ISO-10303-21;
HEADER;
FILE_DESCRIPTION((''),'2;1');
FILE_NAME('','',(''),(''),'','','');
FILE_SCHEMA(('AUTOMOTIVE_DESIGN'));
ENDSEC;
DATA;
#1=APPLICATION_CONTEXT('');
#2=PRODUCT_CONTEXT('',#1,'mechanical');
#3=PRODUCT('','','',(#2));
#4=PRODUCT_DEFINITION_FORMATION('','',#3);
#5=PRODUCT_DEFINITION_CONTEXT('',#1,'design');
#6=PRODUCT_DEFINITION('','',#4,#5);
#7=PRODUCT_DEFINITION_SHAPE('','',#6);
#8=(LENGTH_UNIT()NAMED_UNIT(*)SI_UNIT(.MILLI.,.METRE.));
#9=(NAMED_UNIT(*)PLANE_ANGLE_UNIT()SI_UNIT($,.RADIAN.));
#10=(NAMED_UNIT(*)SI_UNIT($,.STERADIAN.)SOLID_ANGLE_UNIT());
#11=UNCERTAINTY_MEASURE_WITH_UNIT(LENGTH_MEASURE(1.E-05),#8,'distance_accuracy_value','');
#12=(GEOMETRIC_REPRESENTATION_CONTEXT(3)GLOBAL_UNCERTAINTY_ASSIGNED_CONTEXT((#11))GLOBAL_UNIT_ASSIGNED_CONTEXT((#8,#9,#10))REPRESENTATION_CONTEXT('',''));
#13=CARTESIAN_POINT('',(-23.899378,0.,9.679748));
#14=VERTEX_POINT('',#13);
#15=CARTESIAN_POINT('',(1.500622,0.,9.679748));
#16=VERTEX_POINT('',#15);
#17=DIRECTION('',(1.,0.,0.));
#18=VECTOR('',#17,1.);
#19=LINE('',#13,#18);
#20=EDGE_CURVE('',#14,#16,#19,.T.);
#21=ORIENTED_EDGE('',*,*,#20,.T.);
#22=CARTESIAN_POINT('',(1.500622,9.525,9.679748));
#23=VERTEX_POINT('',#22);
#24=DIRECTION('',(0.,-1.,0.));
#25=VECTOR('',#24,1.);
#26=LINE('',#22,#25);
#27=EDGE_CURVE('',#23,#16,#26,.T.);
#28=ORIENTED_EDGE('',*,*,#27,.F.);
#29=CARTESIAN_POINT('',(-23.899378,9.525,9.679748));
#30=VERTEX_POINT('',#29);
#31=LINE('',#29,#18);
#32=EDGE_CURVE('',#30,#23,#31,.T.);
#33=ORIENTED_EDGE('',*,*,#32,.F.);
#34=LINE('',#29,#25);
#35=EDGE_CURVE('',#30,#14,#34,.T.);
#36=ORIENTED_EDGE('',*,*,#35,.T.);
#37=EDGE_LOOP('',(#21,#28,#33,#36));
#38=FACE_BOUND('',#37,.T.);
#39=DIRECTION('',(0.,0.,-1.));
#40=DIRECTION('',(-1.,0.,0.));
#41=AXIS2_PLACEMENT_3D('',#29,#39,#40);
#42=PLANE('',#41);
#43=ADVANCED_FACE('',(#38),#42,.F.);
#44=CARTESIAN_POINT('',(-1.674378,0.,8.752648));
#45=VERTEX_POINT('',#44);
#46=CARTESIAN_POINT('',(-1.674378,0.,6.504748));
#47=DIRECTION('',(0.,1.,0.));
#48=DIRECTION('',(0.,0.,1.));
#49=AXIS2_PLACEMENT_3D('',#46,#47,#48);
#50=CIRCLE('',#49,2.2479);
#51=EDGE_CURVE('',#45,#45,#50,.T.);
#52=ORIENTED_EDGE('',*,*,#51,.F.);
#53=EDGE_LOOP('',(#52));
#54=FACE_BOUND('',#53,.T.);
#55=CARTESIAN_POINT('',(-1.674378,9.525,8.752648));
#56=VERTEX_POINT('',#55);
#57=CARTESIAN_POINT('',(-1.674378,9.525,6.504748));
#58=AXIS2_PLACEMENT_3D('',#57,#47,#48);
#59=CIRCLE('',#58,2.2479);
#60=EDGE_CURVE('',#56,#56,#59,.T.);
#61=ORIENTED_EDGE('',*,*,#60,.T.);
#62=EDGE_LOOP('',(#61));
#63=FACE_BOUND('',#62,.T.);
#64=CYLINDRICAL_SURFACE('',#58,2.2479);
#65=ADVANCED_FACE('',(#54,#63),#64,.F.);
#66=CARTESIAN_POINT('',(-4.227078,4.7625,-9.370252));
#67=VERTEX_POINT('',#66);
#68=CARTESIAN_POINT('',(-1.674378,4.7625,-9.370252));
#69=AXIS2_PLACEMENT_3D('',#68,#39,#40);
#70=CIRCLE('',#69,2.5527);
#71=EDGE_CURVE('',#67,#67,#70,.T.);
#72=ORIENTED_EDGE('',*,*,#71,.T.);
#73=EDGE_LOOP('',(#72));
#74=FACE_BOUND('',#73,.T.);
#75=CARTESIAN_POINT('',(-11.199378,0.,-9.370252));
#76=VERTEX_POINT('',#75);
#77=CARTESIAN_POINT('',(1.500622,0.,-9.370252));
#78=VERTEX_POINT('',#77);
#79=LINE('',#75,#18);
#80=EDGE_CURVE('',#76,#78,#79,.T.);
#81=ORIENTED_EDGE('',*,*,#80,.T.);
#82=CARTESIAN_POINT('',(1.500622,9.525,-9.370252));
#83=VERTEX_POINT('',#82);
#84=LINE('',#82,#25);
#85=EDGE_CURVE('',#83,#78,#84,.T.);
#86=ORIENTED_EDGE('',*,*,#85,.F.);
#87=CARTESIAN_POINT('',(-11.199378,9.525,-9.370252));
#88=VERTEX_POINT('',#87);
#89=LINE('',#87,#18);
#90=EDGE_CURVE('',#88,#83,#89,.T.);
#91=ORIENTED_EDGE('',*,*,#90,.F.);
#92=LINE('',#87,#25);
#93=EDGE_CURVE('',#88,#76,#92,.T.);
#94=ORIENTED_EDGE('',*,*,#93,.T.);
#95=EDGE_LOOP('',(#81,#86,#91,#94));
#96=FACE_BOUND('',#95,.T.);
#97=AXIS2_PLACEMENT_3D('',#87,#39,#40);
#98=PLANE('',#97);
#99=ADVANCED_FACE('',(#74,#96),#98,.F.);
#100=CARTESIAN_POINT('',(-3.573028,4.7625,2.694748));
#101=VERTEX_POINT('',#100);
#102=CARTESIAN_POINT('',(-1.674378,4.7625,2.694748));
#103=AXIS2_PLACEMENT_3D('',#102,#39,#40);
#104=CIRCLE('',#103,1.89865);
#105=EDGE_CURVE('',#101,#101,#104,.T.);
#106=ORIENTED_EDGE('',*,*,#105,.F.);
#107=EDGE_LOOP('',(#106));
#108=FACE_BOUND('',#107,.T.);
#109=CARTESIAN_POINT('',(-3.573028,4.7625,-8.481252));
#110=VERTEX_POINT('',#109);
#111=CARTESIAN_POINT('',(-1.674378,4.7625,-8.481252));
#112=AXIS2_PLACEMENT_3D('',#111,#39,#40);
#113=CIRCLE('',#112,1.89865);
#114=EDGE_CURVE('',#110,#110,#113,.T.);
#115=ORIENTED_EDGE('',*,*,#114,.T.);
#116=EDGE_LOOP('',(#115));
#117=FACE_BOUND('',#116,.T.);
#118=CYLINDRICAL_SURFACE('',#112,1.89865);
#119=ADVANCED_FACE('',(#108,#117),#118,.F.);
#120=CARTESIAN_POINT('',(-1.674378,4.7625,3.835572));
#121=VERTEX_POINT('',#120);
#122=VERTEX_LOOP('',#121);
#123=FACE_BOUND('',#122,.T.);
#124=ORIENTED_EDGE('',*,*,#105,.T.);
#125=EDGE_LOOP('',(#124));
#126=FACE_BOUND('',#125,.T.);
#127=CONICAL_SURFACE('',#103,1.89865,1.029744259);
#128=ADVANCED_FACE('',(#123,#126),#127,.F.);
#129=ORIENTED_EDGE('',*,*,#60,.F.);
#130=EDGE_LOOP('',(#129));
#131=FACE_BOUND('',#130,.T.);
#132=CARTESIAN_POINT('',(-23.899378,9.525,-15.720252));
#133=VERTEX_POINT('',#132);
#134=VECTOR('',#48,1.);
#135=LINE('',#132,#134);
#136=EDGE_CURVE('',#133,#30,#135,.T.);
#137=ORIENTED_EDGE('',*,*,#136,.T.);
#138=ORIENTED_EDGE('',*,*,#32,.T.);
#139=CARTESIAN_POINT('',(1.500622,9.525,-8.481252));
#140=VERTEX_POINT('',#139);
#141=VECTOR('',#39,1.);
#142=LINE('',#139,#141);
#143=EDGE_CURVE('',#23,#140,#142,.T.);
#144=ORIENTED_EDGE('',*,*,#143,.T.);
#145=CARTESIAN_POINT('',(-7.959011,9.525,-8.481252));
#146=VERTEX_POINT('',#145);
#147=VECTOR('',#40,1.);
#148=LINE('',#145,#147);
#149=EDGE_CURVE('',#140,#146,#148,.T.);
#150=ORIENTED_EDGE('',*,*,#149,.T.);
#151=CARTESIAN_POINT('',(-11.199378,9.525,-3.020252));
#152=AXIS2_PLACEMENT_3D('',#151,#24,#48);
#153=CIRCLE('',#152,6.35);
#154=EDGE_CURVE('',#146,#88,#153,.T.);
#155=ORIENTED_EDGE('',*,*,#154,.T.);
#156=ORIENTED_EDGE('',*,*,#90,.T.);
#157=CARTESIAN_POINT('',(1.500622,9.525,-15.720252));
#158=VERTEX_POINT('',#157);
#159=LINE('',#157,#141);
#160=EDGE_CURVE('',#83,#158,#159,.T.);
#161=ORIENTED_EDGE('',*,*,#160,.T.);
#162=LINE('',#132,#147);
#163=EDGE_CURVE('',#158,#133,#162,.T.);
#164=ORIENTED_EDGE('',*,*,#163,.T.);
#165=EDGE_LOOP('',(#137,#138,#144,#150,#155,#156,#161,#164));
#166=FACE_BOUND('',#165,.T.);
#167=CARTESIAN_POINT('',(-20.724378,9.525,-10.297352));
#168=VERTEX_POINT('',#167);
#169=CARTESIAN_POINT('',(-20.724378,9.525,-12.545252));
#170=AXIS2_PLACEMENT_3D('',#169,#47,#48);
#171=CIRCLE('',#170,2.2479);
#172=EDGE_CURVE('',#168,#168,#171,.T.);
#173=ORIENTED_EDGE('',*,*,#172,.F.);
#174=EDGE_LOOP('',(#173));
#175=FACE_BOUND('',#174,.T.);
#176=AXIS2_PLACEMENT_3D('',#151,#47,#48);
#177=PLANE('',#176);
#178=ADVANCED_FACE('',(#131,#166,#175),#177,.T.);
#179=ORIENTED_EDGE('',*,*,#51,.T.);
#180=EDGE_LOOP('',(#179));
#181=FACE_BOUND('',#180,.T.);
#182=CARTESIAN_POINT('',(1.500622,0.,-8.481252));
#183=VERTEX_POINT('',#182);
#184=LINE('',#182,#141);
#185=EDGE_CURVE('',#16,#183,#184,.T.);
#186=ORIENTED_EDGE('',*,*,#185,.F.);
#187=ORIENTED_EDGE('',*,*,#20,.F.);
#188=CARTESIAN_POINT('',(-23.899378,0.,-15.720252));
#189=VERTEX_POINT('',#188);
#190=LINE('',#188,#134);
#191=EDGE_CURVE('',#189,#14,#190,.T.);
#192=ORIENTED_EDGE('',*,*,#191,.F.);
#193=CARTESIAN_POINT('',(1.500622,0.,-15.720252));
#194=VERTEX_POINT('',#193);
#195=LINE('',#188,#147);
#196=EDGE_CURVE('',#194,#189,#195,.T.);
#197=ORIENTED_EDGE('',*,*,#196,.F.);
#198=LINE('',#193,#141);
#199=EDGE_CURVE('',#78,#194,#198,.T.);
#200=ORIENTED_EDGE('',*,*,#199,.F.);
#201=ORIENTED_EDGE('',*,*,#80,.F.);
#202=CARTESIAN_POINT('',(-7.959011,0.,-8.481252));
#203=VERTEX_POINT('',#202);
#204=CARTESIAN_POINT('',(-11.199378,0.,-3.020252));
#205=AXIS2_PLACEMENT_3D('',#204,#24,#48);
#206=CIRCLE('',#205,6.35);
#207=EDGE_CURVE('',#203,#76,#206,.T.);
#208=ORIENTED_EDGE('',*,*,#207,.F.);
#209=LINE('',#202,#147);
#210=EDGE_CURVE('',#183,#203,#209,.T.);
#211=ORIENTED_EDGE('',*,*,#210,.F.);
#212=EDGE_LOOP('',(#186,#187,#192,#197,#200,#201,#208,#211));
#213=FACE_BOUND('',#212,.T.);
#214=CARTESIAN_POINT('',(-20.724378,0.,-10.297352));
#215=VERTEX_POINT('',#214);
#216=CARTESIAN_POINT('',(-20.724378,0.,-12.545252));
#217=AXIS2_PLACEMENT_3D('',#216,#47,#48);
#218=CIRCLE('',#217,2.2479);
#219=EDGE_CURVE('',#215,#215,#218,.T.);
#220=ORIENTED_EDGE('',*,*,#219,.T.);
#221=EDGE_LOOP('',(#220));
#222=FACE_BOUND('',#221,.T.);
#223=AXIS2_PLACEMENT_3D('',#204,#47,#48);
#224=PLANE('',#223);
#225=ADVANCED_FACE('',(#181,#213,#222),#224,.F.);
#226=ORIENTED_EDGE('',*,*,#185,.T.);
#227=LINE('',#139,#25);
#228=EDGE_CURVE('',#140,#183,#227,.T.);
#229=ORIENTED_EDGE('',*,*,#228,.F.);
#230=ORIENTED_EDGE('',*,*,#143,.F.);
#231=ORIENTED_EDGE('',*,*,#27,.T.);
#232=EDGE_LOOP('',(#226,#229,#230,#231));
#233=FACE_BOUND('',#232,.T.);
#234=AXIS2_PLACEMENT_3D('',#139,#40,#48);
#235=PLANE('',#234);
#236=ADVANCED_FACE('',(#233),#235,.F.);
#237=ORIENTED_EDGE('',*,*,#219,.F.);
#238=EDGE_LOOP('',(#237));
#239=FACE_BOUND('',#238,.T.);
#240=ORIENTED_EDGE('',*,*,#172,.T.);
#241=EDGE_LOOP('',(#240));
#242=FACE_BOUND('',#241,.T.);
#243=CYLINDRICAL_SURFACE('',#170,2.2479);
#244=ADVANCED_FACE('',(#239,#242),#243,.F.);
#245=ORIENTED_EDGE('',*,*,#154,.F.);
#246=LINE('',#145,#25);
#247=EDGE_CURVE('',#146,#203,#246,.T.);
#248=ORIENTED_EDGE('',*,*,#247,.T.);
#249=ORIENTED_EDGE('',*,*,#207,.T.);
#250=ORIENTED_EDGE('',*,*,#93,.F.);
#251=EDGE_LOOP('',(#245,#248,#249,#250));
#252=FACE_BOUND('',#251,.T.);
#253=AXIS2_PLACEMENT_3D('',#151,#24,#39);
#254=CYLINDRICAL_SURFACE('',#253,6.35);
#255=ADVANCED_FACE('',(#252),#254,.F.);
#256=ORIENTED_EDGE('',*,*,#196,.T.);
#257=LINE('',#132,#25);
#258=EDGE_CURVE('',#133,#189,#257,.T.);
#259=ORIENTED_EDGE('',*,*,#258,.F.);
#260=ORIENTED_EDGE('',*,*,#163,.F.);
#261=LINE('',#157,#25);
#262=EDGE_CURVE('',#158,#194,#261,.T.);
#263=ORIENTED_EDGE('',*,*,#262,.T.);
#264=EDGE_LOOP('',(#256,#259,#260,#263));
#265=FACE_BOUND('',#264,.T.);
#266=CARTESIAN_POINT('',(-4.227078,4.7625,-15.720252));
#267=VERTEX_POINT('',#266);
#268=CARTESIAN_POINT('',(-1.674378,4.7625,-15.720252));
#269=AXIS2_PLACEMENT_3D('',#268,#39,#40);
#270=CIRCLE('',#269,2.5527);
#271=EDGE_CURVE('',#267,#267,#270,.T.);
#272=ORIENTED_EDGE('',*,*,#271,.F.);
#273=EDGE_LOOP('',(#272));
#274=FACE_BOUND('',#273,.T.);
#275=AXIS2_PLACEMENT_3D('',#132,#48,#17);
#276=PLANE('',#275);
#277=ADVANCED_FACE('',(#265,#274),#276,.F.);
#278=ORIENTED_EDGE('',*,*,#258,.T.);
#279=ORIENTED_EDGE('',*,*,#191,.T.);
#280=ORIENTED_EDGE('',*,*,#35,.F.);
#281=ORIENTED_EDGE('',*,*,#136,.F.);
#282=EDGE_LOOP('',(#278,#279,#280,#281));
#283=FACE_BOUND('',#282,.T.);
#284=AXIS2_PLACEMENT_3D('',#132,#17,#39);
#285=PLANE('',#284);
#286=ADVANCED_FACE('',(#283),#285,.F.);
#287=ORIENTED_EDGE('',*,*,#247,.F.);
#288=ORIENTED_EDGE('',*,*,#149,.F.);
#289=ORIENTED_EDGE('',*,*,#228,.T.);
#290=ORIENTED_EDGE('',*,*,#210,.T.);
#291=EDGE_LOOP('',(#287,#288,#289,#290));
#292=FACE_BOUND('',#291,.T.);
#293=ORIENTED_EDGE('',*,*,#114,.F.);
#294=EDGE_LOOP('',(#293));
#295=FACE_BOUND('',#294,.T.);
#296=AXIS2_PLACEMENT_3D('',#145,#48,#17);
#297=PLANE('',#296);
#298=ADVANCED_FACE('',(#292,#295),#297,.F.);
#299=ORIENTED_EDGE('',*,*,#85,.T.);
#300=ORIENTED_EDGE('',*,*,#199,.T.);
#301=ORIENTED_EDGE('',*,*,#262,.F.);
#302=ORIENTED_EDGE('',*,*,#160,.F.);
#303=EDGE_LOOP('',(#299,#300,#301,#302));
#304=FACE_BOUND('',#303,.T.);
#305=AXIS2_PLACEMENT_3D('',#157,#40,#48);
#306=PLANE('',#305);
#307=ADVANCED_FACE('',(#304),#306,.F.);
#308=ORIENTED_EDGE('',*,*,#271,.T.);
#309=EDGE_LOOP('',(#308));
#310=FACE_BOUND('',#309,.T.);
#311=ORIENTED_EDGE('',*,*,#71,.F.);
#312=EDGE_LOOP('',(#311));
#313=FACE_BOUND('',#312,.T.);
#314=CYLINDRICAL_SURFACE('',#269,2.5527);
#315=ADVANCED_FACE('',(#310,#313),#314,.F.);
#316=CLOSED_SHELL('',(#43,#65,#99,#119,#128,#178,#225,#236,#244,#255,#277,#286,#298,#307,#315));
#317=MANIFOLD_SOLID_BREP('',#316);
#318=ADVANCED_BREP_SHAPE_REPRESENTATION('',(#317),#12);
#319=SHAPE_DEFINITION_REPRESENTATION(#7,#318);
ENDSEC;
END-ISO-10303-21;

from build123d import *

# Parameters (mm, degrees)
BOSS_EXTRUDE1_DEPTH        = 9.525
F_8_CLEARANCE_HOLE1_D      = 4.4958
F_10_CLEARANCE_HOLE1_D     = 5.1054
F_10_CLEARANCE_HOLE1_DEPTH = 6.35


with BuildPart() as part:
    # Sketch1 → Boss-Extrude1 (new body)
    with BuildSketch(Plane(origin=(0, 0, 0), x_dir=(1, 0, 0), z_dir=(0, 1, 0))):
        with BuildLine():
            Line((1.500621967, 8.481252019), (1.500621967, -9.679747981))
            Line((1.500621967, -9.679747981), (-23.899378033, -9.679747981))
            Line((-23.899378033, -9.679747981), (-23.899378033, 15.720252019))
            Line((-23.899378033, 15.720252019), (1.500621967, 15.720252019))
            Line((1.500621967, 15.720252019), (1.500621967, 9.370252019))
            Line((1.500621967, 9.370252019), (-11.199378033, 9.370252019))
            ThreePointArc((-11.199378033, 9.370252019), (-12.879430115, -3.103466214), (-7.959010924, 8.481252019))
            Line((-7.959010924, 8.481252019), (1.500621967, 8.481252019))
        make_face()
    extrude(amount=BOSS_EXTRUDE1_DEPTH)

    # #8 Clearance Hole1 (through all)
    with Locations(Plane(origin=(0, 9.525, 0), x_dir=(1, 0, 0), z_dir=(0, 1, 0))):
        with Locations((-20.724378033, 12.545252019), (-1.674378033, -6.504747981)):
            Hole(F_8_CLEARANCE_HOLE1_D / 2)

    # Sketch4 → #10-24 Tapped Hole1 (revolve, cut)
    with BuildSketch(Plane(origin=(-1.674378033, 4.7625, -8.481252019), x_dir=(0, 1, 0), z_dir=(1, 0, 0))):
        Polygon((0, 0), (0, 12.316824014), (1.89865, 11.176), (1.89865, 0), align=None)
    revolve(axis=Axis((-1.674378033, 4.7625, -14.831252019), (0, 0, 1)), mode=Mode.SUBTRACT)

    # #10 Clearance Hole1
    with Locations(Plane(origin=(0, 0, -15.720252019), x_dir=(-1, 0, 0), z_dir=(0, 0, -1))):
        with Locations((1.674378033, 4.7625)):
            Hole(F_10_CLEARANCE_HOLE1_D / 2, depth=F_10_CLEARANCE_HOLE1_DEPTH)


solid = part.part
